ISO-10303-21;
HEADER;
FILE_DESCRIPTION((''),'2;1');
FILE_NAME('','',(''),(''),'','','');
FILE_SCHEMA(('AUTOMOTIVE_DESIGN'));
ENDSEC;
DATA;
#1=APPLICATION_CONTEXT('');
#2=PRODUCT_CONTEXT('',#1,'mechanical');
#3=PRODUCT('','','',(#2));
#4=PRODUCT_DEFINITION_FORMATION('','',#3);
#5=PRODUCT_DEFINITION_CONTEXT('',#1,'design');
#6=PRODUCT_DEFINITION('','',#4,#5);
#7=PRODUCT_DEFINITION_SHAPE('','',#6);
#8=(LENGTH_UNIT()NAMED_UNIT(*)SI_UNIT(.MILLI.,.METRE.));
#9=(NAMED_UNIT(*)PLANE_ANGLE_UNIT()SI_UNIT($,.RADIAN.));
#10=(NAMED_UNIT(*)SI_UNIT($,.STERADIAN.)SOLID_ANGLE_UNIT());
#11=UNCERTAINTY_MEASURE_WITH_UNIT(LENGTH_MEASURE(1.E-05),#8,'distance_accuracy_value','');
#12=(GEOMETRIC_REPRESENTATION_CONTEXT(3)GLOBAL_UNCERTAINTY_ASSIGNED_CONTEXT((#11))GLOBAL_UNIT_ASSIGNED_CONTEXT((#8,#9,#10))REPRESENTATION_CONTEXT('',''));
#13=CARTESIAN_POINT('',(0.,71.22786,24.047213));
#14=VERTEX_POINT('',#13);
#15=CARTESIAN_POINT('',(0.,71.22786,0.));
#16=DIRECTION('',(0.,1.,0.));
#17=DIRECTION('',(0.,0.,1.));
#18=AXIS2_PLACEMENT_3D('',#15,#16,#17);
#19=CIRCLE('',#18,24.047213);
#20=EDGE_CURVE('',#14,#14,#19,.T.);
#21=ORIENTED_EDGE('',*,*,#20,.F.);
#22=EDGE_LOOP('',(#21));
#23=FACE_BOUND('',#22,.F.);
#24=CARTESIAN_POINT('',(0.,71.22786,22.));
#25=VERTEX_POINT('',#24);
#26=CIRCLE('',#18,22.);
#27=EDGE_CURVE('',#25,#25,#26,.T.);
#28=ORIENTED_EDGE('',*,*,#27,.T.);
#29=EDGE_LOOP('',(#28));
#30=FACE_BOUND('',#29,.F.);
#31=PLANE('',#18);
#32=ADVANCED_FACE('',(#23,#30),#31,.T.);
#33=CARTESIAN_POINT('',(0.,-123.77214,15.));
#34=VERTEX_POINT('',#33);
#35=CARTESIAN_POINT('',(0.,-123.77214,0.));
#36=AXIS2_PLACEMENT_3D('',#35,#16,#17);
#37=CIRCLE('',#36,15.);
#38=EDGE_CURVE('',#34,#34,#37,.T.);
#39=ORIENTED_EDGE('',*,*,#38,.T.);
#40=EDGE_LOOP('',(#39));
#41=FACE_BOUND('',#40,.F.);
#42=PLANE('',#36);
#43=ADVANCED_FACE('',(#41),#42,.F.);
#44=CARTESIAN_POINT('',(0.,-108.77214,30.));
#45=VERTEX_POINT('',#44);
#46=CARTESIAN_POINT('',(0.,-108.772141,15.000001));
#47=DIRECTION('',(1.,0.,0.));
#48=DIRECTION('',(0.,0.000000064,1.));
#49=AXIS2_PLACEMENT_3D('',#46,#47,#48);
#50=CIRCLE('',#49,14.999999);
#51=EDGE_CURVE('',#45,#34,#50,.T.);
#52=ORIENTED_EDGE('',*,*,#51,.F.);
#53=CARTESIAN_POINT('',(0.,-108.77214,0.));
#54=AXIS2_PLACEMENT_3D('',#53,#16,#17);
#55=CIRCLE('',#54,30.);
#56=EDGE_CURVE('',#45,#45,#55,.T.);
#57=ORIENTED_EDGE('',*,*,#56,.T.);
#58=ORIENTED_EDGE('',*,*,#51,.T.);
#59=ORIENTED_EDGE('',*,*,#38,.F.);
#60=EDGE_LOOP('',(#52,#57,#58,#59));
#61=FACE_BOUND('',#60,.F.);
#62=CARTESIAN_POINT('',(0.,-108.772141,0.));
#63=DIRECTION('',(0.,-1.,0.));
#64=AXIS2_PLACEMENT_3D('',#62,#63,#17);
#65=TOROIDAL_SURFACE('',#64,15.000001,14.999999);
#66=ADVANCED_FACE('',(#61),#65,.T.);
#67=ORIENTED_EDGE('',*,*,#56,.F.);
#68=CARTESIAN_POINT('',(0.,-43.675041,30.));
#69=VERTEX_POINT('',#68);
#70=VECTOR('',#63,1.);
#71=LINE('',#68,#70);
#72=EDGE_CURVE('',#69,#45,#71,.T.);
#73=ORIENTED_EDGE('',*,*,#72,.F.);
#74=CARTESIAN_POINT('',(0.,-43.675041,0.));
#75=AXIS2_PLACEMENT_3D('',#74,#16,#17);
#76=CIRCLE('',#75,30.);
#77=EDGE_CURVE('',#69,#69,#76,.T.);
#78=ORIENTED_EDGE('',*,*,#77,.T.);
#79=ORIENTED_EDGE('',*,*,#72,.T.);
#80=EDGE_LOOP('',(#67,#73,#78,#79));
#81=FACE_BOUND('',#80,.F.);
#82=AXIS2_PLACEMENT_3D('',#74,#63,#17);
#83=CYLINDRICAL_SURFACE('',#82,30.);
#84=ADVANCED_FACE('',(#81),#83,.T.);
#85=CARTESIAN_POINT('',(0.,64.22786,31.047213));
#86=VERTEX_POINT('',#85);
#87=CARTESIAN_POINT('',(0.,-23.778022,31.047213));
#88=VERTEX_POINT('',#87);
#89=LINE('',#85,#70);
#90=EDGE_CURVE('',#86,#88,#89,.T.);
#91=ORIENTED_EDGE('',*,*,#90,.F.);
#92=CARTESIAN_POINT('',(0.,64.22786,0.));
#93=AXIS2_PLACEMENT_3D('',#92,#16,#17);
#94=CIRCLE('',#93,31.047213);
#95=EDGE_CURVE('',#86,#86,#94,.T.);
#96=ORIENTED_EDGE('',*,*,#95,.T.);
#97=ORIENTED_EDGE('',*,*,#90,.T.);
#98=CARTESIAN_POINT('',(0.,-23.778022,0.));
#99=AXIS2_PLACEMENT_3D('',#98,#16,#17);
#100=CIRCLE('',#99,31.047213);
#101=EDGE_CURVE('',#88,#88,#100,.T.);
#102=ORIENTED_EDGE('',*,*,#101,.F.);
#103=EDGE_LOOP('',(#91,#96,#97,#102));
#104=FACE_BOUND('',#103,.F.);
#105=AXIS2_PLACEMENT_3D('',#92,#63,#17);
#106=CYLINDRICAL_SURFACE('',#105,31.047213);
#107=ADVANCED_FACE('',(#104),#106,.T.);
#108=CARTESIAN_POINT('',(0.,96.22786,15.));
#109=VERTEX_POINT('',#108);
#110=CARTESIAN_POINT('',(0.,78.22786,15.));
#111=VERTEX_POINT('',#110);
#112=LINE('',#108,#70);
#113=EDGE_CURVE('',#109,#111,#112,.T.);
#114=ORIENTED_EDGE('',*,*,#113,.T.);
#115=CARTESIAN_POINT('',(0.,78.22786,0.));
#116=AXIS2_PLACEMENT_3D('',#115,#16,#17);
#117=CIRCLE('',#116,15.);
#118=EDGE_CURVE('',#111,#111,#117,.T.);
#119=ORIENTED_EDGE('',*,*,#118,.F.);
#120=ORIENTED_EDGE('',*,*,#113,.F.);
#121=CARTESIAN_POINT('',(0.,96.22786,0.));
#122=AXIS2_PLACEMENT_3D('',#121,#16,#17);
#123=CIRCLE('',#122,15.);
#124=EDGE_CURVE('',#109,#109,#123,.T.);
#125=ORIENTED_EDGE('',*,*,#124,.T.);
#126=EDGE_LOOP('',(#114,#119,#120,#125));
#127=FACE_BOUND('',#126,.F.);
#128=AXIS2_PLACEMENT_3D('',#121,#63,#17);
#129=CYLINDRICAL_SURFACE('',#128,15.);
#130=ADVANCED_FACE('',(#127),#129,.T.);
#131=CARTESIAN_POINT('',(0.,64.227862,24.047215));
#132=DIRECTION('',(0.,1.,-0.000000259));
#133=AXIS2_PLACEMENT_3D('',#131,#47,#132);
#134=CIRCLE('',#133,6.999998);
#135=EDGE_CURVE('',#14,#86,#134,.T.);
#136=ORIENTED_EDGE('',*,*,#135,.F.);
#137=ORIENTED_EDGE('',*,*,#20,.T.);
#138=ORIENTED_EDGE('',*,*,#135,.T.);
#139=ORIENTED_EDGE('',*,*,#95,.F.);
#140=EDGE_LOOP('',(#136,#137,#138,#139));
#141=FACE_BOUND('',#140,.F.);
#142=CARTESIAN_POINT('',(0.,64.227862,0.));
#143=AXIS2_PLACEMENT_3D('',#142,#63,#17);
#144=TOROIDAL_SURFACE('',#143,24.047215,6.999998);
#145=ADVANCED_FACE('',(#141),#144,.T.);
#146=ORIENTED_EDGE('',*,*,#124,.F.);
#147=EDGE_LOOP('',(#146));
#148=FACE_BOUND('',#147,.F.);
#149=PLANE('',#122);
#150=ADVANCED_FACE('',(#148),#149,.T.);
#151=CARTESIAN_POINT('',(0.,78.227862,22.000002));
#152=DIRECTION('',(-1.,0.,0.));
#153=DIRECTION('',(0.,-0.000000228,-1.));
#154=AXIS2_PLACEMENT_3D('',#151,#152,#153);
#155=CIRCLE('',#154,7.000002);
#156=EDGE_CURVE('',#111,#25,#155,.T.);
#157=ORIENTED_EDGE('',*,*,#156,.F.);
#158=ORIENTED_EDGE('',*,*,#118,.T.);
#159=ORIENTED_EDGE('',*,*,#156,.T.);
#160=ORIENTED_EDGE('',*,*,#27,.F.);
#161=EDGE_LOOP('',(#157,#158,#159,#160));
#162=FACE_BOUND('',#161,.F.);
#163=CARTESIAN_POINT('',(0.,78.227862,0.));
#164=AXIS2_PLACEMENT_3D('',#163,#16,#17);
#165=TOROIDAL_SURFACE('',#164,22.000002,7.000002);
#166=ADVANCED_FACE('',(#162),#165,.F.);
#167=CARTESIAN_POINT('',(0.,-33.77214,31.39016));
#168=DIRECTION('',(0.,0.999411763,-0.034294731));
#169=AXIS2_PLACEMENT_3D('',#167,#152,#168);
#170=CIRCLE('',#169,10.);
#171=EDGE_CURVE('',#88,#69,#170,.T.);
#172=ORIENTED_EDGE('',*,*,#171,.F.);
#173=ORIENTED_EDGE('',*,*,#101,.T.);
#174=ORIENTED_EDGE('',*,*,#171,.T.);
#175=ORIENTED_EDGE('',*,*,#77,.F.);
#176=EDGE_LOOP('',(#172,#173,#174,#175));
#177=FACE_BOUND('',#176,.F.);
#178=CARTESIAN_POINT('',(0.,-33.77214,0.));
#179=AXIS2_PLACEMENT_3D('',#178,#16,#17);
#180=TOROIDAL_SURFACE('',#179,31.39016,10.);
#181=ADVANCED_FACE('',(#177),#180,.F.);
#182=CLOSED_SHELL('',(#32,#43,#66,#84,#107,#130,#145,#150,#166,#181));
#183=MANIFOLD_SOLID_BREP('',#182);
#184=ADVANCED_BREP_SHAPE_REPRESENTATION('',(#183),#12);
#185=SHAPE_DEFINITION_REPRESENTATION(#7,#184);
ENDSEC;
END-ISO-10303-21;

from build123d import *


with BuildPart() as f1:
    # F0 (on Right) → F1 (revolve)
    with BuildSketch(Plane.YZ):
        with BuildLine():
            Line((-123.77214, 15), (-123.77214, 0))
            Line((-123.77214, 0), (96.22786, 0))
            Line((96.22786, 0), (96.22786, 15))
            Line((96.22786, 15), (78.22786, 15))
            ThreePointArc((78.22786, 15), (73.278113, 17.050253), (71.22786, 22))
            Line((71.22786, 22), (71.22786, 24.047213))
            ThreePointArc((71.22786, 24.047213), (69.177608, 28.996961), (64.22786, 31.047213))
            Line((64.22786, 31.047213), (-23.778022, 31.047213))
            ThreePointArc((-23.778022, 31.047213), (-33.246551, 21.403982), (-43.675041, 30))
            Line((-43.675041, 30), (-108.77214, 30))
            ThreePointArc((-108.77214, 30), (-119.378742, 25.606602), (-123.77214, 15))
        make_face()
    revolve(axis=Axis((0, 76.22786, 0), (0, 1, 0)))


solid = f1.part
